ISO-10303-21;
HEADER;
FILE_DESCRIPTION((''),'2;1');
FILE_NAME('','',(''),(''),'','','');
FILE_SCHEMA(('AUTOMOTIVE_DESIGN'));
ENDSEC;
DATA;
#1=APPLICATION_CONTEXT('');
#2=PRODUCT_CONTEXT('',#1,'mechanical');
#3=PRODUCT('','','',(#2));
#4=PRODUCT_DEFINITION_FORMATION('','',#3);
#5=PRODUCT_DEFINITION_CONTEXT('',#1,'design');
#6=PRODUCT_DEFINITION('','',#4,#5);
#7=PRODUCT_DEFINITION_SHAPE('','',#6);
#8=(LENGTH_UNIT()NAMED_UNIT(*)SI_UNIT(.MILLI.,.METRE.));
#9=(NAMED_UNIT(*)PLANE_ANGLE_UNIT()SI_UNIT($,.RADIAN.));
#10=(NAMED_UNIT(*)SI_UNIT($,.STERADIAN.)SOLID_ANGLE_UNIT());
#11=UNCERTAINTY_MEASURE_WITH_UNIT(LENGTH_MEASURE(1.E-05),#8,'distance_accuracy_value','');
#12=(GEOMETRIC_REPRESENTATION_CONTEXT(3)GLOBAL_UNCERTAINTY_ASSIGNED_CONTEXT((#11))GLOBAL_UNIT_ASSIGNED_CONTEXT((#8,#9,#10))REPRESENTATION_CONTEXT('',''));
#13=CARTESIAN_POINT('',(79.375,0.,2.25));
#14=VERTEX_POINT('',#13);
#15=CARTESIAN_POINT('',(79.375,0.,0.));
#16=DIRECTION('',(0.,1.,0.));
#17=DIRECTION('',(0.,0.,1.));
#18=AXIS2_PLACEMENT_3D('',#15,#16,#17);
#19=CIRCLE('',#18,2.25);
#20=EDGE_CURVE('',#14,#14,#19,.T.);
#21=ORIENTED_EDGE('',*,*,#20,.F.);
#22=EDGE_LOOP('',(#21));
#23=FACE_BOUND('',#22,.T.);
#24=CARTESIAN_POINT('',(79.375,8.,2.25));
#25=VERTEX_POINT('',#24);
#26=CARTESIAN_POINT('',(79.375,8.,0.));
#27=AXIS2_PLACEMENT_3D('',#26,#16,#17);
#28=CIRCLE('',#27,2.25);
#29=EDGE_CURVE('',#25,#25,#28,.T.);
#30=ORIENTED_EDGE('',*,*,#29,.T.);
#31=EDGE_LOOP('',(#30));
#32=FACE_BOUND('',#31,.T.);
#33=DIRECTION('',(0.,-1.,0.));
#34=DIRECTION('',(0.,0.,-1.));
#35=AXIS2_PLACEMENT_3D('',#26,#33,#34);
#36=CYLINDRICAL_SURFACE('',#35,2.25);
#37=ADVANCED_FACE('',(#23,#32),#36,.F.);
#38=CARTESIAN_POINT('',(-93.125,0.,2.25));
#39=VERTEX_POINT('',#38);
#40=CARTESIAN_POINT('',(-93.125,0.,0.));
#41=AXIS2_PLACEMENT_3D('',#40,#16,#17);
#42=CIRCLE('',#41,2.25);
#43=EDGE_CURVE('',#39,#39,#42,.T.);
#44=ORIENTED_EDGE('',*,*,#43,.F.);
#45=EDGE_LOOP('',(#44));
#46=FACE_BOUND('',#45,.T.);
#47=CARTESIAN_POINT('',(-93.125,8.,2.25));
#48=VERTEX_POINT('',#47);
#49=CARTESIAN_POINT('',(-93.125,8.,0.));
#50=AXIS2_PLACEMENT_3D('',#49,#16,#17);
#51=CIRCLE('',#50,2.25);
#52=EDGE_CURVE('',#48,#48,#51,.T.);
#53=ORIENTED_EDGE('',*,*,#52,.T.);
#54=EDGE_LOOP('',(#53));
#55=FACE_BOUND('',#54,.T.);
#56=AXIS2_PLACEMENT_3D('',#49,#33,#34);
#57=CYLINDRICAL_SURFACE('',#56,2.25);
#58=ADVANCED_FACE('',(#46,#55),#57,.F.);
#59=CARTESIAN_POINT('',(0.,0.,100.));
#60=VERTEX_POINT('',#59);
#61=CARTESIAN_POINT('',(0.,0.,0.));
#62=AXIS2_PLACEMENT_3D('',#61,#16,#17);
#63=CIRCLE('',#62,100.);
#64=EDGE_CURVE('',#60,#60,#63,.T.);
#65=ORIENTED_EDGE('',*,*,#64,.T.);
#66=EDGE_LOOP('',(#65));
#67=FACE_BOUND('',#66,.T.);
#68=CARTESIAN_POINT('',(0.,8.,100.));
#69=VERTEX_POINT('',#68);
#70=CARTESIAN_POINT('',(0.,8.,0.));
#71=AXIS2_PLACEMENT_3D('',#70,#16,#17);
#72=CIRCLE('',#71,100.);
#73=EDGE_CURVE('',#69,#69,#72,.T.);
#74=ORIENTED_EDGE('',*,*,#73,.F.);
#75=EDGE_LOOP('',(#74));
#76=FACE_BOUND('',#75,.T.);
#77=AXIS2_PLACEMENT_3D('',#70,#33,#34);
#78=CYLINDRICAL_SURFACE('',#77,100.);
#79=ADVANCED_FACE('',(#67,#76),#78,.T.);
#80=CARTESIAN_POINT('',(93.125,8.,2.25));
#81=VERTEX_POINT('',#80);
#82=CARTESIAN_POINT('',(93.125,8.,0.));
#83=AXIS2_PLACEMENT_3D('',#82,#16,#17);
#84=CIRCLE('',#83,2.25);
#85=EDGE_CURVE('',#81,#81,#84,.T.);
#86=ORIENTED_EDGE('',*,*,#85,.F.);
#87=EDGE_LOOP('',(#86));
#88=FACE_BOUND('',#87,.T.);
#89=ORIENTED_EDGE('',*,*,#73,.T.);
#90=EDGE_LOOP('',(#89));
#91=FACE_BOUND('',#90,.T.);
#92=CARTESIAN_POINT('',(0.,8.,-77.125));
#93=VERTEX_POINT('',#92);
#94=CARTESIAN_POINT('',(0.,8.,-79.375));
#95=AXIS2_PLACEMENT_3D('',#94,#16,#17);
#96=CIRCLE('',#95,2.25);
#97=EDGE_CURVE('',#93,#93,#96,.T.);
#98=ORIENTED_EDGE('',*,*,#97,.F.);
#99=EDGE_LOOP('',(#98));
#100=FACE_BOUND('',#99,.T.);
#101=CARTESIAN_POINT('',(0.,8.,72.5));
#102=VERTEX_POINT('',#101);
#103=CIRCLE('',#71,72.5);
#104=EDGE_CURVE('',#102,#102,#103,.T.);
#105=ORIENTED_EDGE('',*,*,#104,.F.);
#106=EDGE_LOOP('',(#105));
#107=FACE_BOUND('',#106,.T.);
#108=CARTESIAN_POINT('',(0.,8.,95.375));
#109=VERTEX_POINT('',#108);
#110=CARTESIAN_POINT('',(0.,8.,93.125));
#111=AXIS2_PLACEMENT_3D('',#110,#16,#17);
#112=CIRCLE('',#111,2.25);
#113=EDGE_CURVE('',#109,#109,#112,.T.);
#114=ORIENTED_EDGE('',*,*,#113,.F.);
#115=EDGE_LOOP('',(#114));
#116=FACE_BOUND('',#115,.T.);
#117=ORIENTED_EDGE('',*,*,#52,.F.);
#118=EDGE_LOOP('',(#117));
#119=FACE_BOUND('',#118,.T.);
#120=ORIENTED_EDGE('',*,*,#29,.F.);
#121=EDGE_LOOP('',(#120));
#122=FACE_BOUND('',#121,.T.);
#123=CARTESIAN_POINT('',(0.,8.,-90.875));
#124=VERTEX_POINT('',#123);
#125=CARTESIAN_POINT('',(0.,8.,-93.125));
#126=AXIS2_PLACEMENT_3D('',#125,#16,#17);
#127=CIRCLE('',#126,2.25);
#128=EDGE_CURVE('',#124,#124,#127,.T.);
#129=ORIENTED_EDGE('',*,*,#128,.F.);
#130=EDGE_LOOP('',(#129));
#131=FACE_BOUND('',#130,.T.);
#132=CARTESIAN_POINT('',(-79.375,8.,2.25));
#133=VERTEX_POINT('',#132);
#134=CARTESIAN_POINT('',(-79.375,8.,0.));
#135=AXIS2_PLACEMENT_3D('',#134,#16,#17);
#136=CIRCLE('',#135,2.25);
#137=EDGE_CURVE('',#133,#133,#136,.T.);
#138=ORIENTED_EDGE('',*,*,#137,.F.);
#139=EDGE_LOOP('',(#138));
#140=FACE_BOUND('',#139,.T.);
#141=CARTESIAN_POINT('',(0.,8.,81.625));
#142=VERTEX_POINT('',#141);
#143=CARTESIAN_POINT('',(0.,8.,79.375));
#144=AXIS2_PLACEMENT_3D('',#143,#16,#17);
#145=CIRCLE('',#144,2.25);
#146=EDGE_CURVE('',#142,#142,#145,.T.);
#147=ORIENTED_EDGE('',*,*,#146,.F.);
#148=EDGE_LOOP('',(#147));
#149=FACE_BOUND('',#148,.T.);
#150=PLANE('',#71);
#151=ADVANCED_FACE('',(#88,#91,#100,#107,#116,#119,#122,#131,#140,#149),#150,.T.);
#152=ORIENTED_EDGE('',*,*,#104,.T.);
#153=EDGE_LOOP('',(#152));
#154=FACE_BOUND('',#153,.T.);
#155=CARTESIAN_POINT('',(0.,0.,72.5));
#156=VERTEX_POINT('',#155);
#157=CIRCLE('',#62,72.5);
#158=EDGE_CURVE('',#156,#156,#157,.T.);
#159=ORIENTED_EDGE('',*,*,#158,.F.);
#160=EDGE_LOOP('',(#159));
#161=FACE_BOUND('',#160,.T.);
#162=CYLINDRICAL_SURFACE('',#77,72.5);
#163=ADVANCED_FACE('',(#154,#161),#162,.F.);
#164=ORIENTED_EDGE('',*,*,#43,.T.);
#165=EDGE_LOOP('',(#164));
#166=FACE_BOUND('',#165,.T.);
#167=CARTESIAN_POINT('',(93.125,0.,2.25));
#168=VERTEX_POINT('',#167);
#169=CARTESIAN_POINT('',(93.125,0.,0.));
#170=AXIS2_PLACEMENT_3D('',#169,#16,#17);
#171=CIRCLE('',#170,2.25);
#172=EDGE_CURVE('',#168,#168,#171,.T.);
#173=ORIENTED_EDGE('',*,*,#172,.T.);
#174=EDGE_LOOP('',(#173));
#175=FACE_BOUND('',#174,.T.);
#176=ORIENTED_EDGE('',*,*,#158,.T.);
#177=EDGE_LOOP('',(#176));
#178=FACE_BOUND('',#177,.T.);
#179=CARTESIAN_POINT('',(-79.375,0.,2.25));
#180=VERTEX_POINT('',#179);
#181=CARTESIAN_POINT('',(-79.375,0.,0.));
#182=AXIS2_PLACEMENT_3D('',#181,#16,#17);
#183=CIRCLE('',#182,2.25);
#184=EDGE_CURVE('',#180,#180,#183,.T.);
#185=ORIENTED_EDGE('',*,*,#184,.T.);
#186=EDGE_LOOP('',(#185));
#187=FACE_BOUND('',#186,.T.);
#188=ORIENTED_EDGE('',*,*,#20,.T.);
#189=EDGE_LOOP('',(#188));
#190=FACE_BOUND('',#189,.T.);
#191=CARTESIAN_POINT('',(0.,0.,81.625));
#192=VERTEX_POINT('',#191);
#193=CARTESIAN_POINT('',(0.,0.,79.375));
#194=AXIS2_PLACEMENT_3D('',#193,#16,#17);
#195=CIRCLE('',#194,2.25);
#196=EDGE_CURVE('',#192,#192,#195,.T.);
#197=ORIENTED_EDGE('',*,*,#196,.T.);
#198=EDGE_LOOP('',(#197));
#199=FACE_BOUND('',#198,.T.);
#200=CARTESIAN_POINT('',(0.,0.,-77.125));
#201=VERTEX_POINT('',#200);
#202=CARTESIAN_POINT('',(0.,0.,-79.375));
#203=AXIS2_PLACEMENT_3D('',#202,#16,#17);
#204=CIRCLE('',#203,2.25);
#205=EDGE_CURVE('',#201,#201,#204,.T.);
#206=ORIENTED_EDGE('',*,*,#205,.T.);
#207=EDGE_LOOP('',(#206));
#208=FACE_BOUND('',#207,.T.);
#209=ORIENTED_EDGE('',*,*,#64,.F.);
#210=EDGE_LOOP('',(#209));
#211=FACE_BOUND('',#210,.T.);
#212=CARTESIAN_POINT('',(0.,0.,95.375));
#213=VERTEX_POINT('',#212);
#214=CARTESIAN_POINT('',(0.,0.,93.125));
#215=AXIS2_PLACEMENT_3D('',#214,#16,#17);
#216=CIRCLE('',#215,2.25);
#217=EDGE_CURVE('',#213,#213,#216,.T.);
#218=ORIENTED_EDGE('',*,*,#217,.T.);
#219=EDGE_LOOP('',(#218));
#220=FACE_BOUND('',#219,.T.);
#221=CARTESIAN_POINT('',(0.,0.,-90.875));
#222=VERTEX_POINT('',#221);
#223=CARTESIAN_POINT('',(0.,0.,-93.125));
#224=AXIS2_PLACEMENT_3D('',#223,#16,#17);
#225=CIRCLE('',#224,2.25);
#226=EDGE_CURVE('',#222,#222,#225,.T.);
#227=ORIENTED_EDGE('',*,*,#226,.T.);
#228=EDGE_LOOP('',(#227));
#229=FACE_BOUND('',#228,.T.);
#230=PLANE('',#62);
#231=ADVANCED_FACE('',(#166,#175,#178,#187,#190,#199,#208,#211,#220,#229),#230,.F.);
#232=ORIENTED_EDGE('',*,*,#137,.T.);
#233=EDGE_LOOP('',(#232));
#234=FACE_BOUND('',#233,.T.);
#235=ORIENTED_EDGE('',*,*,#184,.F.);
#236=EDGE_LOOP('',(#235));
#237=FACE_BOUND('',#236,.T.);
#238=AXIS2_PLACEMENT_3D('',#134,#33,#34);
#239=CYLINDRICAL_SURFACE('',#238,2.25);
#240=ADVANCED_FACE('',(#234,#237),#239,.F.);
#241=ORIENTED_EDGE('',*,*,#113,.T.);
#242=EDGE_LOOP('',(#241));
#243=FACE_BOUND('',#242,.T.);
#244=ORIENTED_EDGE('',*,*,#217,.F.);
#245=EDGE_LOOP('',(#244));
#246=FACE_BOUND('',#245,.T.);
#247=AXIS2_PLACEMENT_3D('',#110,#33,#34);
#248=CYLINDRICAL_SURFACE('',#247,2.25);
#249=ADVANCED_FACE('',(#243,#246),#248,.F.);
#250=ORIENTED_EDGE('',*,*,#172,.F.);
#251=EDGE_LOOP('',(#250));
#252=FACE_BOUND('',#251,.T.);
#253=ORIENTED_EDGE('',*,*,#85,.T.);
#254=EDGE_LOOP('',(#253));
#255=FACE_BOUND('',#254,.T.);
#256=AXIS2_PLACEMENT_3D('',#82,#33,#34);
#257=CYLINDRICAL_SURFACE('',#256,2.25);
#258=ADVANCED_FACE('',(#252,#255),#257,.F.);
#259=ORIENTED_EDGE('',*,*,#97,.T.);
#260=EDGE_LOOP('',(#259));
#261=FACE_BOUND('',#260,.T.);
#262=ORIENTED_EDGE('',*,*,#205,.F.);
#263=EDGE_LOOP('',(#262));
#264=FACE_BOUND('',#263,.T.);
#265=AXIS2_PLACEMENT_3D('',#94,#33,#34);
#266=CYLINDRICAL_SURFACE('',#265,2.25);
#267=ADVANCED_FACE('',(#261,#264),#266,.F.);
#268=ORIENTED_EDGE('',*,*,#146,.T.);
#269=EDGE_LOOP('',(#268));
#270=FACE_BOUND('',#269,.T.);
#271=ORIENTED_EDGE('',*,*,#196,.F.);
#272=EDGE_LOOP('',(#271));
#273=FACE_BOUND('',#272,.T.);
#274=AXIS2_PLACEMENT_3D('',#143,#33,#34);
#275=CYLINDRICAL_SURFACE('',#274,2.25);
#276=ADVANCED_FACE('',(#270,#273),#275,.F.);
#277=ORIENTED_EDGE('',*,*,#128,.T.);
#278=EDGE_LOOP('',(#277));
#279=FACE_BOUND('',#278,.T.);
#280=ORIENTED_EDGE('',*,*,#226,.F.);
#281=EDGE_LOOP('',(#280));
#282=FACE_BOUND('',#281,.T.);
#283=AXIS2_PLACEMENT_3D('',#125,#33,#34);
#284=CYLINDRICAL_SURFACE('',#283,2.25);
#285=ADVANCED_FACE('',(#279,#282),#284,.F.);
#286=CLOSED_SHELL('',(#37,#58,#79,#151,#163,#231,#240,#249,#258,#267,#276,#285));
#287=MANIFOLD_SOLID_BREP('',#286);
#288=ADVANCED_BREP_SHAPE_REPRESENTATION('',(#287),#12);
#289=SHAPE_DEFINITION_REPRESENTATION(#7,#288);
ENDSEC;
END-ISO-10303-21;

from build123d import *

# Parameters (mm, degrees)
SKETCH1_R           = 100
SKETCH1_R_2         = 72.5
BOSS_EXTRUDE1_DEPTH = 8
SKETCH2_R           = 2.25
CUT_EXTRUDE1_DEPTH  = 8


with BuildPart() as part:
    # Sketch1 → Boss-Extrude1 (new body)
    with BuildSketch(Plane(origin=(0, 0, 0), x_dir=(1, 0, 0), z_dir=(0, 1, 0))):
        Circle(SKETCH1_R)
        Circle(SKETCH1_R_2, mode=Mode.SUBTRACT)
    extrude(amount=BOSS_EXTRUDE1_DEPTH)

    # Sketch2 → Cut-Extrude1 (cut)
    with BuildSketch(Plane(origin=(0, 0, 0), x_dir=(1, 0, 0), z_dir=(0, 1, 0))):
        with Locations((0, 93.125)):
            Circle(SKETCH2_R)
        with Locations((93.125, 0)):
            Circle(SKETCH2_R)
        with Locations((0, -93.125)):
            Circle(SKETCH2_R)
        with Locations((-93.125, 0)):
            Circle(SKETCH2_R)
        with Locations((0, 79.375)):
            Circle(SKETCH2_R)
        with Locations((79.375, 0)):
            Circle(SKETCH2_R)
        with Locations((0, -79.375)):
            Circle(SKETCH2_R)
        with Locations((-79.375, 0)):
            Circle(SKETCH2_R)
    extrude(amount=CUT_EXTRUDE1_DEPTH, mode=Mode.SUBTRACT)


solid = part.part
